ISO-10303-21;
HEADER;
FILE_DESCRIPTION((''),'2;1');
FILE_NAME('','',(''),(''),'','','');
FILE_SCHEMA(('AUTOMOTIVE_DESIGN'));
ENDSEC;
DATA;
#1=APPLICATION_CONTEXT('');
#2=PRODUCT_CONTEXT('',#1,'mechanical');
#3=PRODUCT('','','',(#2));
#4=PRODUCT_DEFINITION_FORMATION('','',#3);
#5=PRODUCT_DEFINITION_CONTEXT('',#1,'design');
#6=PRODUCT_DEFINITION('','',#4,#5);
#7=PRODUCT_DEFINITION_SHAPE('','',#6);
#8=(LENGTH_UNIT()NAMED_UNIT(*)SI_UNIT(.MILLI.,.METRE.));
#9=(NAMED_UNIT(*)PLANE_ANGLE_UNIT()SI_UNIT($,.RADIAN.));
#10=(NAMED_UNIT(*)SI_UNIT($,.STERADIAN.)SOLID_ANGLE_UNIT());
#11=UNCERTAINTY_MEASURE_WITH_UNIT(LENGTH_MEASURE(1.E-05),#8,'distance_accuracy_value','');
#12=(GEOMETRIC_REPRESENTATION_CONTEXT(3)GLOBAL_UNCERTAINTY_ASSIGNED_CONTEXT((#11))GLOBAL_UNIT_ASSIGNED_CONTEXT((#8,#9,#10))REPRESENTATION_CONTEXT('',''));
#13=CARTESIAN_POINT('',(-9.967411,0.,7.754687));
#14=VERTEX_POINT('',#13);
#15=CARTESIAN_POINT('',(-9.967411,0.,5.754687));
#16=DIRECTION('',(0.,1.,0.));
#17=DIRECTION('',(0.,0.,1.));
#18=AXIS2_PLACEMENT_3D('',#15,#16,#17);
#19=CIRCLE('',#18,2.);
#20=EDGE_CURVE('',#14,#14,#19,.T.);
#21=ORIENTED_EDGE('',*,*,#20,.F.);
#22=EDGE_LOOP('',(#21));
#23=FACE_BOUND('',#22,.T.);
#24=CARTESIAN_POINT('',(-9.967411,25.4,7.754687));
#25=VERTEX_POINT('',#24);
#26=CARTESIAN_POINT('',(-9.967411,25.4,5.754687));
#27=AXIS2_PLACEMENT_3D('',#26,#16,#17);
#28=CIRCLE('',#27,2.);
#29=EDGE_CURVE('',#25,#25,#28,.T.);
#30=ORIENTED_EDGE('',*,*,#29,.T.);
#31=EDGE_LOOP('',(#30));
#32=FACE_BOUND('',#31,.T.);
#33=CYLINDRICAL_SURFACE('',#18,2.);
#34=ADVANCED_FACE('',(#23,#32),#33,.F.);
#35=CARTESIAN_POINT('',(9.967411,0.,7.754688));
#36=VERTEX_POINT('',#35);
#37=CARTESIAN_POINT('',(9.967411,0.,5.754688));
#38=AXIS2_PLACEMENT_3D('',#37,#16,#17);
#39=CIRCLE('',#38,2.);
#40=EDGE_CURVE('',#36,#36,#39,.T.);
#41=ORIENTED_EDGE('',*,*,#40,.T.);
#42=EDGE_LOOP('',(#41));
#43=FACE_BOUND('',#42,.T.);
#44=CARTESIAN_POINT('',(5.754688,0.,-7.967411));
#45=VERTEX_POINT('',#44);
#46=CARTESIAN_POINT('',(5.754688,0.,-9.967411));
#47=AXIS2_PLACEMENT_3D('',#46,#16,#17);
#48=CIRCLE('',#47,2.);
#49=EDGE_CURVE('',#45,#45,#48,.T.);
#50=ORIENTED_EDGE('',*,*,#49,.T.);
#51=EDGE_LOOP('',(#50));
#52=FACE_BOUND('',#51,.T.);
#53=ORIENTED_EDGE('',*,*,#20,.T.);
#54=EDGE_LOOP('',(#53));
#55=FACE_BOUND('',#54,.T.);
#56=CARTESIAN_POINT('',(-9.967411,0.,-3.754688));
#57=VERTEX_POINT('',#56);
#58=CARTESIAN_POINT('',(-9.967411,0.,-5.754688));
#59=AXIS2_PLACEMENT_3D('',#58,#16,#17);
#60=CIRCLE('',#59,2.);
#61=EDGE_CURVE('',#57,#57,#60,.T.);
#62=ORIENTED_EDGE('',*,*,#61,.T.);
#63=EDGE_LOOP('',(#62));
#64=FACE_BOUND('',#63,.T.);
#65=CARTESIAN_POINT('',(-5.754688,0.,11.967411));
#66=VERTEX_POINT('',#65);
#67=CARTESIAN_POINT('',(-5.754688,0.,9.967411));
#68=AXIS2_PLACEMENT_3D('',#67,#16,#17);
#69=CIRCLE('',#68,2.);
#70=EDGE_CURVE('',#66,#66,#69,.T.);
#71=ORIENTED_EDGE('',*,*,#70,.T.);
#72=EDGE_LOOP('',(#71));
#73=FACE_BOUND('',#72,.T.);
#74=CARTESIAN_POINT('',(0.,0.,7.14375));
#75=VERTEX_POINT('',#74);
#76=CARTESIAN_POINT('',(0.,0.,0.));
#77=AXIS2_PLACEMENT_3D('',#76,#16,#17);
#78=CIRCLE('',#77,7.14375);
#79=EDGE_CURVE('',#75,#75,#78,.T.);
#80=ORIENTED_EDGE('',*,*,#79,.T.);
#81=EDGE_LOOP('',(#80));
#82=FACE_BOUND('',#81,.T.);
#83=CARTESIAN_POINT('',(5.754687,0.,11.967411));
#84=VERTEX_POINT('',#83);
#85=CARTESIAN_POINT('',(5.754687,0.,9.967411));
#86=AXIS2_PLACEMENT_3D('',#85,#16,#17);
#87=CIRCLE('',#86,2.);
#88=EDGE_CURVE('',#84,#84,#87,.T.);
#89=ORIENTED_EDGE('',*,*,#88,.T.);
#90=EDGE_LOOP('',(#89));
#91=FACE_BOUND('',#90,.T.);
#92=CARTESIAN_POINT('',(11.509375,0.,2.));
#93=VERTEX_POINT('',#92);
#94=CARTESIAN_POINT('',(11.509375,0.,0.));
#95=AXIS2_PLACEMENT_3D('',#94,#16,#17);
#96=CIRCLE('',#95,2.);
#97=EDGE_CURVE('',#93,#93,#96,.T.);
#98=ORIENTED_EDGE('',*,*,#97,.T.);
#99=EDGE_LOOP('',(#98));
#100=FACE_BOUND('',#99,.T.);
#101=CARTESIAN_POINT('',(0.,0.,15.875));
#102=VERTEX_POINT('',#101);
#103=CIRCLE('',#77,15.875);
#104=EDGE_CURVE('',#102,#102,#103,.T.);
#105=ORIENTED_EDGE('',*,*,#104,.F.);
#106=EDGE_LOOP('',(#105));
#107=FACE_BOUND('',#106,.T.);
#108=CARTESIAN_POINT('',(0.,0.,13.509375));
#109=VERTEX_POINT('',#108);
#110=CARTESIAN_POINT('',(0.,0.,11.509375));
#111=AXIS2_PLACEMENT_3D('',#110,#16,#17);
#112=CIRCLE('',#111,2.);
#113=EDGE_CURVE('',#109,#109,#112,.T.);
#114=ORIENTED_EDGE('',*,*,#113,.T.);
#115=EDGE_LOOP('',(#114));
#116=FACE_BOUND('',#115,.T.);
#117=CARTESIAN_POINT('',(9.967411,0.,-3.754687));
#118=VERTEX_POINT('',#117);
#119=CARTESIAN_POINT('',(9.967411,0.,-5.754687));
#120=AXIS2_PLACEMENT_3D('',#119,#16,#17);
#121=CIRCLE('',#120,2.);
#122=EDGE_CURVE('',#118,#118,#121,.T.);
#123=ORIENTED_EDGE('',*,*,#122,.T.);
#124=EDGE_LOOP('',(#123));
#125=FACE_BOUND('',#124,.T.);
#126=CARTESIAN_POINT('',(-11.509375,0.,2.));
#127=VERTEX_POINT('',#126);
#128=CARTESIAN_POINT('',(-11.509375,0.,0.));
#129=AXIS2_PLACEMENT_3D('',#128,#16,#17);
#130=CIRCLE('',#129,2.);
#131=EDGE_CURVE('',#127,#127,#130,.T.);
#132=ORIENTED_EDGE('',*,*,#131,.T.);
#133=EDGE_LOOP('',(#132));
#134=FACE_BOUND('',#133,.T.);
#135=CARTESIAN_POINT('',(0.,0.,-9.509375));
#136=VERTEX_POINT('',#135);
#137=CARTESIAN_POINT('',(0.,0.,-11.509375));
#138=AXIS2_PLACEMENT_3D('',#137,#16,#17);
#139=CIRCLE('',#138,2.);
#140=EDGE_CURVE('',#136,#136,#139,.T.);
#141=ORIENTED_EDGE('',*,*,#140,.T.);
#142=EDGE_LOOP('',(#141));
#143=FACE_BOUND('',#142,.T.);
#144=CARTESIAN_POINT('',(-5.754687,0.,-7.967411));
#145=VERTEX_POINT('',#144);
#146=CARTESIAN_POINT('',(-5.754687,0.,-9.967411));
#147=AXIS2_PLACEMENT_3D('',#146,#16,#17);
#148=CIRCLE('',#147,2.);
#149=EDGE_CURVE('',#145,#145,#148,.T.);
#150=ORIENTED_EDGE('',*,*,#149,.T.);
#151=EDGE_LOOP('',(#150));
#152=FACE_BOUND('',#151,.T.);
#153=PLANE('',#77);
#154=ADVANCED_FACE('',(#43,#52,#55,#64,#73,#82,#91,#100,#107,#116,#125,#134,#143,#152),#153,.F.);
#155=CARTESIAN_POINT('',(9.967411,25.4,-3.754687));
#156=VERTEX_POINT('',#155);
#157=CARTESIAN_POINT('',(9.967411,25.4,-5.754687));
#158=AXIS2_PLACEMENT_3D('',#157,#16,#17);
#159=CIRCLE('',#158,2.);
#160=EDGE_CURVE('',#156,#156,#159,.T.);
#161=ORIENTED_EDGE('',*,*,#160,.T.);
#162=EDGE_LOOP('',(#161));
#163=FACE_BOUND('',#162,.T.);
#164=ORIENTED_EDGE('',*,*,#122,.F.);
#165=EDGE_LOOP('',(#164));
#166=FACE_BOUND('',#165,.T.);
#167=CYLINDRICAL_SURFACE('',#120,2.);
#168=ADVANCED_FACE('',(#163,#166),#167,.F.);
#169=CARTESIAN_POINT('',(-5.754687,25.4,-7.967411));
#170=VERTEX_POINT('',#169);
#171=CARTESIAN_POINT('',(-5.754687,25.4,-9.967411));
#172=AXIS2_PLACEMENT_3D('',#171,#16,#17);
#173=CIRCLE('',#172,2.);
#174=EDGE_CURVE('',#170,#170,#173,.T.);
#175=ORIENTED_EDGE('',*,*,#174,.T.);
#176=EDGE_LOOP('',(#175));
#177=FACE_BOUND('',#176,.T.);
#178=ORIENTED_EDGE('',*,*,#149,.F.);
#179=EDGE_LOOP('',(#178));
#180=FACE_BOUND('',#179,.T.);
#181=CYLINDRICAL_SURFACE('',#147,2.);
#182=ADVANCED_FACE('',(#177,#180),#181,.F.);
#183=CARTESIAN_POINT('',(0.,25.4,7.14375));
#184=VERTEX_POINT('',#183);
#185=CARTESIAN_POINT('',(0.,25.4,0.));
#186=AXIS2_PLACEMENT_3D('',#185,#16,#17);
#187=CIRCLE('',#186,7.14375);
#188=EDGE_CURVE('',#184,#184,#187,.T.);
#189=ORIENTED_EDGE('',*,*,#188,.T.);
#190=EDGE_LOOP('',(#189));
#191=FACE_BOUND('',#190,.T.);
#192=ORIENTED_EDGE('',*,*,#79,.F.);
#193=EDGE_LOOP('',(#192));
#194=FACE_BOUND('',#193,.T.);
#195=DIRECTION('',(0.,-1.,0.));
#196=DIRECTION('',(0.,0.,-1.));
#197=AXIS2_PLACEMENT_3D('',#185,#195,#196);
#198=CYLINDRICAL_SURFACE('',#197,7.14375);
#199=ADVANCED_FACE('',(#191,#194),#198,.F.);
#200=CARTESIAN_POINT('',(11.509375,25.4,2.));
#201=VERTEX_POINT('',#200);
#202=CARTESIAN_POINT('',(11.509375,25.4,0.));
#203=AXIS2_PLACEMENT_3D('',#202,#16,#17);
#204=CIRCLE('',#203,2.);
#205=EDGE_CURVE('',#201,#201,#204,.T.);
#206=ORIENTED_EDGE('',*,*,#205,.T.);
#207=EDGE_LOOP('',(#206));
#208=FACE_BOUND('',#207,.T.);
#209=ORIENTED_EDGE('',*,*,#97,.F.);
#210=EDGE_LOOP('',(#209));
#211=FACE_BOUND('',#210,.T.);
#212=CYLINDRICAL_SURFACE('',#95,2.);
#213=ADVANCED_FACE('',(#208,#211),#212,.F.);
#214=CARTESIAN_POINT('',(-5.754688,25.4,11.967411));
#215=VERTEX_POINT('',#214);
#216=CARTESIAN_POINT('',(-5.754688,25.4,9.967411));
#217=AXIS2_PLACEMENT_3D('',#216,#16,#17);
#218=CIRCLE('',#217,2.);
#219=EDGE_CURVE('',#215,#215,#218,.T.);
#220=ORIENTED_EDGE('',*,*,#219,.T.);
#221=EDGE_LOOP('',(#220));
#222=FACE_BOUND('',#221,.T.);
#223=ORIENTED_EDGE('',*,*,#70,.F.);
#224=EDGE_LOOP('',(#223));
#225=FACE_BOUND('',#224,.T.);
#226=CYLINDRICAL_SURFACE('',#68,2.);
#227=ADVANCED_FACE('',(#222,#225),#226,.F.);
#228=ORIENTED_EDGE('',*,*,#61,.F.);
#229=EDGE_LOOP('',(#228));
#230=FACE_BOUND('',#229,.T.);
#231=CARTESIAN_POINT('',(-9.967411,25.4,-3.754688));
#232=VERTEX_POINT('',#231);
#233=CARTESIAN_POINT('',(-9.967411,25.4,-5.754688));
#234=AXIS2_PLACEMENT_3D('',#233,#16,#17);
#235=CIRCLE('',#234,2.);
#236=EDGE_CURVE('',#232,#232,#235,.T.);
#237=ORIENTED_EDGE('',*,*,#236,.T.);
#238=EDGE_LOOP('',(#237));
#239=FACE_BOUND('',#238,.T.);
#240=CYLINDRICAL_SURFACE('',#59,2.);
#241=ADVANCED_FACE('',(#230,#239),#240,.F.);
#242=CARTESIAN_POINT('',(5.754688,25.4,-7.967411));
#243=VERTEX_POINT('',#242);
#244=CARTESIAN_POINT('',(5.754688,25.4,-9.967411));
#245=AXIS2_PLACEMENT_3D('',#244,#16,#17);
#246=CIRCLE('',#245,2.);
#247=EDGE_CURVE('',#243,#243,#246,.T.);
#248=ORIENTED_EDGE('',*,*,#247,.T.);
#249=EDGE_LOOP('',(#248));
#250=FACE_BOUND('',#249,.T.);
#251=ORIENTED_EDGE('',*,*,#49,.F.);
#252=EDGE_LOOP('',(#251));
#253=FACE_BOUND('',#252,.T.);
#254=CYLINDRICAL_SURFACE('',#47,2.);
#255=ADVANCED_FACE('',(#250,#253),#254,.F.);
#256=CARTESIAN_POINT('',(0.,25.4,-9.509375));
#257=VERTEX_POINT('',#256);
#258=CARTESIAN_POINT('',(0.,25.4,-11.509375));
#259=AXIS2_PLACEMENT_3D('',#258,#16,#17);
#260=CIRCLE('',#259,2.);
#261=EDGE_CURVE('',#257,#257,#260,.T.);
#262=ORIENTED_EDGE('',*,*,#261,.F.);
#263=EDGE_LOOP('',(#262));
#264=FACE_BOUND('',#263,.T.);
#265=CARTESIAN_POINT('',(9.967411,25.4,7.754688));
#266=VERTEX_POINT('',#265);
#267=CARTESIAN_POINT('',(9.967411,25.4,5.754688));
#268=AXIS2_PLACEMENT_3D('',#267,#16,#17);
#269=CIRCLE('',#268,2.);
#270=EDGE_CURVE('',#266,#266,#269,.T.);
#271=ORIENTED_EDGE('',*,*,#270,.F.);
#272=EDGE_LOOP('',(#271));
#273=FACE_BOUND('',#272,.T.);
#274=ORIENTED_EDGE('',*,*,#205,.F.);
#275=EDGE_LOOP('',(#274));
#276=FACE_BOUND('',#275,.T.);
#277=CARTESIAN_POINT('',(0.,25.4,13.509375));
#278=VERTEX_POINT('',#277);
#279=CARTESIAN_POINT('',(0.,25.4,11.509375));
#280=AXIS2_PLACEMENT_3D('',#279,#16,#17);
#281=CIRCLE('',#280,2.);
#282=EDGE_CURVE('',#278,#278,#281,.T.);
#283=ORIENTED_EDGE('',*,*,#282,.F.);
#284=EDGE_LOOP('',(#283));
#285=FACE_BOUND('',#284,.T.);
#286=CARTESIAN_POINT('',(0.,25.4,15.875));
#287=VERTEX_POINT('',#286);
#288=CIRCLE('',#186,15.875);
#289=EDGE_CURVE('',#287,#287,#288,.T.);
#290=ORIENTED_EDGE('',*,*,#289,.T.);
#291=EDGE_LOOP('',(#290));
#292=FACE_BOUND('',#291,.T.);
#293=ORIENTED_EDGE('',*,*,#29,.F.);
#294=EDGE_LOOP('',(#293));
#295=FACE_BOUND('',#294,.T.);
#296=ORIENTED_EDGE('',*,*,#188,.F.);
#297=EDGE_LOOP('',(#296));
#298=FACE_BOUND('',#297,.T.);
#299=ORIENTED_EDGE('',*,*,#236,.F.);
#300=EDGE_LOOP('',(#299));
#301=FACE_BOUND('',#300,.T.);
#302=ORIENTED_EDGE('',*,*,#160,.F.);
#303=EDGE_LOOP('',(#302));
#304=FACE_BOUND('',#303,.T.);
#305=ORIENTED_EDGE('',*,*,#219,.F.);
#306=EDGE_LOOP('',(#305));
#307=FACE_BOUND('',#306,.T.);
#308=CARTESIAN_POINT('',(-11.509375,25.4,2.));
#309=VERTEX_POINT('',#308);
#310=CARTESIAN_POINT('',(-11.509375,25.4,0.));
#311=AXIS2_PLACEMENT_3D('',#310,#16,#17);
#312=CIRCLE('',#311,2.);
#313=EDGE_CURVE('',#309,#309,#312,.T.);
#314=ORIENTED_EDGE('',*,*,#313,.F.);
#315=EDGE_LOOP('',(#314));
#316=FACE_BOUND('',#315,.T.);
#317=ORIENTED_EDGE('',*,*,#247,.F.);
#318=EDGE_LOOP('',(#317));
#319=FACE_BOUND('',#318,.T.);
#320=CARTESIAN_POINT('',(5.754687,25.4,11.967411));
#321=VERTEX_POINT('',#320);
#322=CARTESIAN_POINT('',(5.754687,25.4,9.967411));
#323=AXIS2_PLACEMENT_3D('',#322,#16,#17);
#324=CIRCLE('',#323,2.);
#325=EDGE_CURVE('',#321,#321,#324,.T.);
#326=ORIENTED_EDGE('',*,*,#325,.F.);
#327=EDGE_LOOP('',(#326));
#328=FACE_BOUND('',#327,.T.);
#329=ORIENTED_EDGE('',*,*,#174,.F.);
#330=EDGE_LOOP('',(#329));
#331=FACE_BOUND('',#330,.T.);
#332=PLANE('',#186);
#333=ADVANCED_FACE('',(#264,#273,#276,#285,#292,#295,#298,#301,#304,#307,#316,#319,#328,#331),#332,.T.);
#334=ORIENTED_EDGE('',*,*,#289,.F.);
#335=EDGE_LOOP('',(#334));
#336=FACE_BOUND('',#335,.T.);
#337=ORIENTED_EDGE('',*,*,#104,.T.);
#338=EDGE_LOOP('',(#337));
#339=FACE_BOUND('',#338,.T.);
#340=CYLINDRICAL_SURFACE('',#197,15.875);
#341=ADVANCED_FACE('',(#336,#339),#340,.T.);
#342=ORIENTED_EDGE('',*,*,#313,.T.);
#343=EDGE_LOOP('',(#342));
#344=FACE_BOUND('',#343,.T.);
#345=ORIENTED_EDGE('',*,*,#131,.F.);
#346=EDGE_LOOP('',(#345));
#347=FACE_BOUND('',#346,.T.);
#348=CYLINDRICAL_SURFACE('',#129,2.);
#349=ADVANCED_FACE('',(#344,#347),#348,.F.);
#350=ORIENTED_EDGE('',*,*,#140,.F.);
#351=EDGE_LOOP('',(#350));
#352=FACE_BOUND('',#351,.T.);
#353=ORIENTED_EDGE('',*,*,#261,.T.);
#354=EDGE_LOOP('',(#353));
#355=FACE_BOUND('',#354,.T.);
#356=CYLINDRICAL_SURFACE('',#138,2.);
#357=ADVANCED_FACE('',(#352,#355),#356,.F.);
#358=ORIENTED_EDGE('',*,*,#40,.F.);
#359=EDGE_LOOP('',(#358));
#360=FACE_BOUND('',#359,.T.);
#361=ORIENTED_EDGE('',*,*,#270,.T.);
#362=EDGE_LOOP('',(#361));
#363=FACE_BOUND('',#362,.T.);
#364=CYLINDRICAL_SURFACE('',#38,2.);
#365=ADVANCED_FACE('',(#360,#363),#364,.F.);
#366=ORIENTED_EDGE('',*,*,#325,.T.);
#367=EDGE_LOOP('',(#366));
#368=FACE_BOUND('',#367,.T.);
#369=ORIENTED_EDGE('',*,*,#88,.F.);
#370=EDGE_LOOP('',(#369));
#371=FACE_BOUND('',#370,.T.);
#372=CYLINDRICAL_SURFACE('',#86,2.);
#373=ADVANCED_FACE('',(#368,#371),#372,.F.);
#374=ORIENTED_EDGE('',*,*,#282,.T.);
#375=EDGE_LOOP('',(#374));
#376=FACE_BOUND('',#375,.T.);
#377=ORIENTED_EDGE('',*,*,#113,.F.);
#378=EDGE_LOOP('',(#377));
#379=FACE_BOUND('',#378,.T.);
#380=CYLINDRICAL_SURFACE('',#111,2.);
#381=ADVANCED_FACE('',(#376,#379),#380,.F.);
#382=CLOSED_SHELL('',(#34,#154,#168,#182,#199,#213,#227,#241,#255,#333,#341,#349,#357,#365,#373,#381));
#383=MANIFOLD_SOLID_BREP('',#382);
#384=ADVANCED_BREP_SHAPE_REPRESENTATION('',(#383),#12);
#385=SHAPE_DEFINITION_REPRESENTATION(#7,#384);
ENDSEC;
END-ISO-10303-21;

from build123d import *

# Parameters (mm, degrees)
SKETCH_1_R          = 15.875
SKETCH_1_R_2        = 7.14375
EXTRUDE_1_DEPTH     = 25.4
SKETCH_2_R          = 2
CUT_EXTRUDE_1_DEPTH = 25.4


with BuildPart() as part:
    # 스케치1 → 보스-돌출1 (new body)
    with BuildSketch(Plane(origin=(0, 0, 0), x_dir=(1, 0, 0), z_dir=(0, 1, 0))):
        Circle(SKETCH_1_R)
        Circle(SKETCH_1_R_2, mode=Mode.SUBTRACT)
    extrude(amount=EXTRUDE_1_DEPTH)

    # 스케치2 → 컷-돌출1 (cut)
    with BuildSketch(Plane(origin=(0, 25.4, 0), x_dir=(1, 0, 0), z_dir=(0, 1, 0))):
        with Locations((0, 11.509375)):
            Circle(SKETCH_2_R)
        with Locations((5.7546875, 9.967411132)):
            Circle(SKETCH_2_R)
        with Locations((9.967411132, 5.7546875)):
            Circle(SKETCH_2_R)
        with Locations((11.509375, 0)):
            Circle(SKETCH_2_R)
        with Locations((9.967411132, -5.7546875)):
            Circle(SKETCH_2_R)
        with Locations((5.7546875, -9.967411132)):
            Circle(SKETCH_2_R)
        with Locations((0, -11.509375)):
            Circle(SKETCH_2_R)
        with Locations((-5.7546875, -9.967411132)):
            Circle(SKETCH_2_R)
        with Locations((-9.967411132, -5.7546875)):
            Circle(SKETCH_2_R)
        with Locations((-11.509375, 0)):
            Circle(SKETCH_2_R)
        with Locations((-9.967411132, 5.7546875)):
            Circle(SKETCH_2_R)
        with Locations((-5.7546875, 9.967411132)):
            Circle(SKETCH_2_R)
    extrude(amount=-CUT_EXTRUDE_1_DEPTH, mode=Mode.SUBTRACT)


solid = part.part
